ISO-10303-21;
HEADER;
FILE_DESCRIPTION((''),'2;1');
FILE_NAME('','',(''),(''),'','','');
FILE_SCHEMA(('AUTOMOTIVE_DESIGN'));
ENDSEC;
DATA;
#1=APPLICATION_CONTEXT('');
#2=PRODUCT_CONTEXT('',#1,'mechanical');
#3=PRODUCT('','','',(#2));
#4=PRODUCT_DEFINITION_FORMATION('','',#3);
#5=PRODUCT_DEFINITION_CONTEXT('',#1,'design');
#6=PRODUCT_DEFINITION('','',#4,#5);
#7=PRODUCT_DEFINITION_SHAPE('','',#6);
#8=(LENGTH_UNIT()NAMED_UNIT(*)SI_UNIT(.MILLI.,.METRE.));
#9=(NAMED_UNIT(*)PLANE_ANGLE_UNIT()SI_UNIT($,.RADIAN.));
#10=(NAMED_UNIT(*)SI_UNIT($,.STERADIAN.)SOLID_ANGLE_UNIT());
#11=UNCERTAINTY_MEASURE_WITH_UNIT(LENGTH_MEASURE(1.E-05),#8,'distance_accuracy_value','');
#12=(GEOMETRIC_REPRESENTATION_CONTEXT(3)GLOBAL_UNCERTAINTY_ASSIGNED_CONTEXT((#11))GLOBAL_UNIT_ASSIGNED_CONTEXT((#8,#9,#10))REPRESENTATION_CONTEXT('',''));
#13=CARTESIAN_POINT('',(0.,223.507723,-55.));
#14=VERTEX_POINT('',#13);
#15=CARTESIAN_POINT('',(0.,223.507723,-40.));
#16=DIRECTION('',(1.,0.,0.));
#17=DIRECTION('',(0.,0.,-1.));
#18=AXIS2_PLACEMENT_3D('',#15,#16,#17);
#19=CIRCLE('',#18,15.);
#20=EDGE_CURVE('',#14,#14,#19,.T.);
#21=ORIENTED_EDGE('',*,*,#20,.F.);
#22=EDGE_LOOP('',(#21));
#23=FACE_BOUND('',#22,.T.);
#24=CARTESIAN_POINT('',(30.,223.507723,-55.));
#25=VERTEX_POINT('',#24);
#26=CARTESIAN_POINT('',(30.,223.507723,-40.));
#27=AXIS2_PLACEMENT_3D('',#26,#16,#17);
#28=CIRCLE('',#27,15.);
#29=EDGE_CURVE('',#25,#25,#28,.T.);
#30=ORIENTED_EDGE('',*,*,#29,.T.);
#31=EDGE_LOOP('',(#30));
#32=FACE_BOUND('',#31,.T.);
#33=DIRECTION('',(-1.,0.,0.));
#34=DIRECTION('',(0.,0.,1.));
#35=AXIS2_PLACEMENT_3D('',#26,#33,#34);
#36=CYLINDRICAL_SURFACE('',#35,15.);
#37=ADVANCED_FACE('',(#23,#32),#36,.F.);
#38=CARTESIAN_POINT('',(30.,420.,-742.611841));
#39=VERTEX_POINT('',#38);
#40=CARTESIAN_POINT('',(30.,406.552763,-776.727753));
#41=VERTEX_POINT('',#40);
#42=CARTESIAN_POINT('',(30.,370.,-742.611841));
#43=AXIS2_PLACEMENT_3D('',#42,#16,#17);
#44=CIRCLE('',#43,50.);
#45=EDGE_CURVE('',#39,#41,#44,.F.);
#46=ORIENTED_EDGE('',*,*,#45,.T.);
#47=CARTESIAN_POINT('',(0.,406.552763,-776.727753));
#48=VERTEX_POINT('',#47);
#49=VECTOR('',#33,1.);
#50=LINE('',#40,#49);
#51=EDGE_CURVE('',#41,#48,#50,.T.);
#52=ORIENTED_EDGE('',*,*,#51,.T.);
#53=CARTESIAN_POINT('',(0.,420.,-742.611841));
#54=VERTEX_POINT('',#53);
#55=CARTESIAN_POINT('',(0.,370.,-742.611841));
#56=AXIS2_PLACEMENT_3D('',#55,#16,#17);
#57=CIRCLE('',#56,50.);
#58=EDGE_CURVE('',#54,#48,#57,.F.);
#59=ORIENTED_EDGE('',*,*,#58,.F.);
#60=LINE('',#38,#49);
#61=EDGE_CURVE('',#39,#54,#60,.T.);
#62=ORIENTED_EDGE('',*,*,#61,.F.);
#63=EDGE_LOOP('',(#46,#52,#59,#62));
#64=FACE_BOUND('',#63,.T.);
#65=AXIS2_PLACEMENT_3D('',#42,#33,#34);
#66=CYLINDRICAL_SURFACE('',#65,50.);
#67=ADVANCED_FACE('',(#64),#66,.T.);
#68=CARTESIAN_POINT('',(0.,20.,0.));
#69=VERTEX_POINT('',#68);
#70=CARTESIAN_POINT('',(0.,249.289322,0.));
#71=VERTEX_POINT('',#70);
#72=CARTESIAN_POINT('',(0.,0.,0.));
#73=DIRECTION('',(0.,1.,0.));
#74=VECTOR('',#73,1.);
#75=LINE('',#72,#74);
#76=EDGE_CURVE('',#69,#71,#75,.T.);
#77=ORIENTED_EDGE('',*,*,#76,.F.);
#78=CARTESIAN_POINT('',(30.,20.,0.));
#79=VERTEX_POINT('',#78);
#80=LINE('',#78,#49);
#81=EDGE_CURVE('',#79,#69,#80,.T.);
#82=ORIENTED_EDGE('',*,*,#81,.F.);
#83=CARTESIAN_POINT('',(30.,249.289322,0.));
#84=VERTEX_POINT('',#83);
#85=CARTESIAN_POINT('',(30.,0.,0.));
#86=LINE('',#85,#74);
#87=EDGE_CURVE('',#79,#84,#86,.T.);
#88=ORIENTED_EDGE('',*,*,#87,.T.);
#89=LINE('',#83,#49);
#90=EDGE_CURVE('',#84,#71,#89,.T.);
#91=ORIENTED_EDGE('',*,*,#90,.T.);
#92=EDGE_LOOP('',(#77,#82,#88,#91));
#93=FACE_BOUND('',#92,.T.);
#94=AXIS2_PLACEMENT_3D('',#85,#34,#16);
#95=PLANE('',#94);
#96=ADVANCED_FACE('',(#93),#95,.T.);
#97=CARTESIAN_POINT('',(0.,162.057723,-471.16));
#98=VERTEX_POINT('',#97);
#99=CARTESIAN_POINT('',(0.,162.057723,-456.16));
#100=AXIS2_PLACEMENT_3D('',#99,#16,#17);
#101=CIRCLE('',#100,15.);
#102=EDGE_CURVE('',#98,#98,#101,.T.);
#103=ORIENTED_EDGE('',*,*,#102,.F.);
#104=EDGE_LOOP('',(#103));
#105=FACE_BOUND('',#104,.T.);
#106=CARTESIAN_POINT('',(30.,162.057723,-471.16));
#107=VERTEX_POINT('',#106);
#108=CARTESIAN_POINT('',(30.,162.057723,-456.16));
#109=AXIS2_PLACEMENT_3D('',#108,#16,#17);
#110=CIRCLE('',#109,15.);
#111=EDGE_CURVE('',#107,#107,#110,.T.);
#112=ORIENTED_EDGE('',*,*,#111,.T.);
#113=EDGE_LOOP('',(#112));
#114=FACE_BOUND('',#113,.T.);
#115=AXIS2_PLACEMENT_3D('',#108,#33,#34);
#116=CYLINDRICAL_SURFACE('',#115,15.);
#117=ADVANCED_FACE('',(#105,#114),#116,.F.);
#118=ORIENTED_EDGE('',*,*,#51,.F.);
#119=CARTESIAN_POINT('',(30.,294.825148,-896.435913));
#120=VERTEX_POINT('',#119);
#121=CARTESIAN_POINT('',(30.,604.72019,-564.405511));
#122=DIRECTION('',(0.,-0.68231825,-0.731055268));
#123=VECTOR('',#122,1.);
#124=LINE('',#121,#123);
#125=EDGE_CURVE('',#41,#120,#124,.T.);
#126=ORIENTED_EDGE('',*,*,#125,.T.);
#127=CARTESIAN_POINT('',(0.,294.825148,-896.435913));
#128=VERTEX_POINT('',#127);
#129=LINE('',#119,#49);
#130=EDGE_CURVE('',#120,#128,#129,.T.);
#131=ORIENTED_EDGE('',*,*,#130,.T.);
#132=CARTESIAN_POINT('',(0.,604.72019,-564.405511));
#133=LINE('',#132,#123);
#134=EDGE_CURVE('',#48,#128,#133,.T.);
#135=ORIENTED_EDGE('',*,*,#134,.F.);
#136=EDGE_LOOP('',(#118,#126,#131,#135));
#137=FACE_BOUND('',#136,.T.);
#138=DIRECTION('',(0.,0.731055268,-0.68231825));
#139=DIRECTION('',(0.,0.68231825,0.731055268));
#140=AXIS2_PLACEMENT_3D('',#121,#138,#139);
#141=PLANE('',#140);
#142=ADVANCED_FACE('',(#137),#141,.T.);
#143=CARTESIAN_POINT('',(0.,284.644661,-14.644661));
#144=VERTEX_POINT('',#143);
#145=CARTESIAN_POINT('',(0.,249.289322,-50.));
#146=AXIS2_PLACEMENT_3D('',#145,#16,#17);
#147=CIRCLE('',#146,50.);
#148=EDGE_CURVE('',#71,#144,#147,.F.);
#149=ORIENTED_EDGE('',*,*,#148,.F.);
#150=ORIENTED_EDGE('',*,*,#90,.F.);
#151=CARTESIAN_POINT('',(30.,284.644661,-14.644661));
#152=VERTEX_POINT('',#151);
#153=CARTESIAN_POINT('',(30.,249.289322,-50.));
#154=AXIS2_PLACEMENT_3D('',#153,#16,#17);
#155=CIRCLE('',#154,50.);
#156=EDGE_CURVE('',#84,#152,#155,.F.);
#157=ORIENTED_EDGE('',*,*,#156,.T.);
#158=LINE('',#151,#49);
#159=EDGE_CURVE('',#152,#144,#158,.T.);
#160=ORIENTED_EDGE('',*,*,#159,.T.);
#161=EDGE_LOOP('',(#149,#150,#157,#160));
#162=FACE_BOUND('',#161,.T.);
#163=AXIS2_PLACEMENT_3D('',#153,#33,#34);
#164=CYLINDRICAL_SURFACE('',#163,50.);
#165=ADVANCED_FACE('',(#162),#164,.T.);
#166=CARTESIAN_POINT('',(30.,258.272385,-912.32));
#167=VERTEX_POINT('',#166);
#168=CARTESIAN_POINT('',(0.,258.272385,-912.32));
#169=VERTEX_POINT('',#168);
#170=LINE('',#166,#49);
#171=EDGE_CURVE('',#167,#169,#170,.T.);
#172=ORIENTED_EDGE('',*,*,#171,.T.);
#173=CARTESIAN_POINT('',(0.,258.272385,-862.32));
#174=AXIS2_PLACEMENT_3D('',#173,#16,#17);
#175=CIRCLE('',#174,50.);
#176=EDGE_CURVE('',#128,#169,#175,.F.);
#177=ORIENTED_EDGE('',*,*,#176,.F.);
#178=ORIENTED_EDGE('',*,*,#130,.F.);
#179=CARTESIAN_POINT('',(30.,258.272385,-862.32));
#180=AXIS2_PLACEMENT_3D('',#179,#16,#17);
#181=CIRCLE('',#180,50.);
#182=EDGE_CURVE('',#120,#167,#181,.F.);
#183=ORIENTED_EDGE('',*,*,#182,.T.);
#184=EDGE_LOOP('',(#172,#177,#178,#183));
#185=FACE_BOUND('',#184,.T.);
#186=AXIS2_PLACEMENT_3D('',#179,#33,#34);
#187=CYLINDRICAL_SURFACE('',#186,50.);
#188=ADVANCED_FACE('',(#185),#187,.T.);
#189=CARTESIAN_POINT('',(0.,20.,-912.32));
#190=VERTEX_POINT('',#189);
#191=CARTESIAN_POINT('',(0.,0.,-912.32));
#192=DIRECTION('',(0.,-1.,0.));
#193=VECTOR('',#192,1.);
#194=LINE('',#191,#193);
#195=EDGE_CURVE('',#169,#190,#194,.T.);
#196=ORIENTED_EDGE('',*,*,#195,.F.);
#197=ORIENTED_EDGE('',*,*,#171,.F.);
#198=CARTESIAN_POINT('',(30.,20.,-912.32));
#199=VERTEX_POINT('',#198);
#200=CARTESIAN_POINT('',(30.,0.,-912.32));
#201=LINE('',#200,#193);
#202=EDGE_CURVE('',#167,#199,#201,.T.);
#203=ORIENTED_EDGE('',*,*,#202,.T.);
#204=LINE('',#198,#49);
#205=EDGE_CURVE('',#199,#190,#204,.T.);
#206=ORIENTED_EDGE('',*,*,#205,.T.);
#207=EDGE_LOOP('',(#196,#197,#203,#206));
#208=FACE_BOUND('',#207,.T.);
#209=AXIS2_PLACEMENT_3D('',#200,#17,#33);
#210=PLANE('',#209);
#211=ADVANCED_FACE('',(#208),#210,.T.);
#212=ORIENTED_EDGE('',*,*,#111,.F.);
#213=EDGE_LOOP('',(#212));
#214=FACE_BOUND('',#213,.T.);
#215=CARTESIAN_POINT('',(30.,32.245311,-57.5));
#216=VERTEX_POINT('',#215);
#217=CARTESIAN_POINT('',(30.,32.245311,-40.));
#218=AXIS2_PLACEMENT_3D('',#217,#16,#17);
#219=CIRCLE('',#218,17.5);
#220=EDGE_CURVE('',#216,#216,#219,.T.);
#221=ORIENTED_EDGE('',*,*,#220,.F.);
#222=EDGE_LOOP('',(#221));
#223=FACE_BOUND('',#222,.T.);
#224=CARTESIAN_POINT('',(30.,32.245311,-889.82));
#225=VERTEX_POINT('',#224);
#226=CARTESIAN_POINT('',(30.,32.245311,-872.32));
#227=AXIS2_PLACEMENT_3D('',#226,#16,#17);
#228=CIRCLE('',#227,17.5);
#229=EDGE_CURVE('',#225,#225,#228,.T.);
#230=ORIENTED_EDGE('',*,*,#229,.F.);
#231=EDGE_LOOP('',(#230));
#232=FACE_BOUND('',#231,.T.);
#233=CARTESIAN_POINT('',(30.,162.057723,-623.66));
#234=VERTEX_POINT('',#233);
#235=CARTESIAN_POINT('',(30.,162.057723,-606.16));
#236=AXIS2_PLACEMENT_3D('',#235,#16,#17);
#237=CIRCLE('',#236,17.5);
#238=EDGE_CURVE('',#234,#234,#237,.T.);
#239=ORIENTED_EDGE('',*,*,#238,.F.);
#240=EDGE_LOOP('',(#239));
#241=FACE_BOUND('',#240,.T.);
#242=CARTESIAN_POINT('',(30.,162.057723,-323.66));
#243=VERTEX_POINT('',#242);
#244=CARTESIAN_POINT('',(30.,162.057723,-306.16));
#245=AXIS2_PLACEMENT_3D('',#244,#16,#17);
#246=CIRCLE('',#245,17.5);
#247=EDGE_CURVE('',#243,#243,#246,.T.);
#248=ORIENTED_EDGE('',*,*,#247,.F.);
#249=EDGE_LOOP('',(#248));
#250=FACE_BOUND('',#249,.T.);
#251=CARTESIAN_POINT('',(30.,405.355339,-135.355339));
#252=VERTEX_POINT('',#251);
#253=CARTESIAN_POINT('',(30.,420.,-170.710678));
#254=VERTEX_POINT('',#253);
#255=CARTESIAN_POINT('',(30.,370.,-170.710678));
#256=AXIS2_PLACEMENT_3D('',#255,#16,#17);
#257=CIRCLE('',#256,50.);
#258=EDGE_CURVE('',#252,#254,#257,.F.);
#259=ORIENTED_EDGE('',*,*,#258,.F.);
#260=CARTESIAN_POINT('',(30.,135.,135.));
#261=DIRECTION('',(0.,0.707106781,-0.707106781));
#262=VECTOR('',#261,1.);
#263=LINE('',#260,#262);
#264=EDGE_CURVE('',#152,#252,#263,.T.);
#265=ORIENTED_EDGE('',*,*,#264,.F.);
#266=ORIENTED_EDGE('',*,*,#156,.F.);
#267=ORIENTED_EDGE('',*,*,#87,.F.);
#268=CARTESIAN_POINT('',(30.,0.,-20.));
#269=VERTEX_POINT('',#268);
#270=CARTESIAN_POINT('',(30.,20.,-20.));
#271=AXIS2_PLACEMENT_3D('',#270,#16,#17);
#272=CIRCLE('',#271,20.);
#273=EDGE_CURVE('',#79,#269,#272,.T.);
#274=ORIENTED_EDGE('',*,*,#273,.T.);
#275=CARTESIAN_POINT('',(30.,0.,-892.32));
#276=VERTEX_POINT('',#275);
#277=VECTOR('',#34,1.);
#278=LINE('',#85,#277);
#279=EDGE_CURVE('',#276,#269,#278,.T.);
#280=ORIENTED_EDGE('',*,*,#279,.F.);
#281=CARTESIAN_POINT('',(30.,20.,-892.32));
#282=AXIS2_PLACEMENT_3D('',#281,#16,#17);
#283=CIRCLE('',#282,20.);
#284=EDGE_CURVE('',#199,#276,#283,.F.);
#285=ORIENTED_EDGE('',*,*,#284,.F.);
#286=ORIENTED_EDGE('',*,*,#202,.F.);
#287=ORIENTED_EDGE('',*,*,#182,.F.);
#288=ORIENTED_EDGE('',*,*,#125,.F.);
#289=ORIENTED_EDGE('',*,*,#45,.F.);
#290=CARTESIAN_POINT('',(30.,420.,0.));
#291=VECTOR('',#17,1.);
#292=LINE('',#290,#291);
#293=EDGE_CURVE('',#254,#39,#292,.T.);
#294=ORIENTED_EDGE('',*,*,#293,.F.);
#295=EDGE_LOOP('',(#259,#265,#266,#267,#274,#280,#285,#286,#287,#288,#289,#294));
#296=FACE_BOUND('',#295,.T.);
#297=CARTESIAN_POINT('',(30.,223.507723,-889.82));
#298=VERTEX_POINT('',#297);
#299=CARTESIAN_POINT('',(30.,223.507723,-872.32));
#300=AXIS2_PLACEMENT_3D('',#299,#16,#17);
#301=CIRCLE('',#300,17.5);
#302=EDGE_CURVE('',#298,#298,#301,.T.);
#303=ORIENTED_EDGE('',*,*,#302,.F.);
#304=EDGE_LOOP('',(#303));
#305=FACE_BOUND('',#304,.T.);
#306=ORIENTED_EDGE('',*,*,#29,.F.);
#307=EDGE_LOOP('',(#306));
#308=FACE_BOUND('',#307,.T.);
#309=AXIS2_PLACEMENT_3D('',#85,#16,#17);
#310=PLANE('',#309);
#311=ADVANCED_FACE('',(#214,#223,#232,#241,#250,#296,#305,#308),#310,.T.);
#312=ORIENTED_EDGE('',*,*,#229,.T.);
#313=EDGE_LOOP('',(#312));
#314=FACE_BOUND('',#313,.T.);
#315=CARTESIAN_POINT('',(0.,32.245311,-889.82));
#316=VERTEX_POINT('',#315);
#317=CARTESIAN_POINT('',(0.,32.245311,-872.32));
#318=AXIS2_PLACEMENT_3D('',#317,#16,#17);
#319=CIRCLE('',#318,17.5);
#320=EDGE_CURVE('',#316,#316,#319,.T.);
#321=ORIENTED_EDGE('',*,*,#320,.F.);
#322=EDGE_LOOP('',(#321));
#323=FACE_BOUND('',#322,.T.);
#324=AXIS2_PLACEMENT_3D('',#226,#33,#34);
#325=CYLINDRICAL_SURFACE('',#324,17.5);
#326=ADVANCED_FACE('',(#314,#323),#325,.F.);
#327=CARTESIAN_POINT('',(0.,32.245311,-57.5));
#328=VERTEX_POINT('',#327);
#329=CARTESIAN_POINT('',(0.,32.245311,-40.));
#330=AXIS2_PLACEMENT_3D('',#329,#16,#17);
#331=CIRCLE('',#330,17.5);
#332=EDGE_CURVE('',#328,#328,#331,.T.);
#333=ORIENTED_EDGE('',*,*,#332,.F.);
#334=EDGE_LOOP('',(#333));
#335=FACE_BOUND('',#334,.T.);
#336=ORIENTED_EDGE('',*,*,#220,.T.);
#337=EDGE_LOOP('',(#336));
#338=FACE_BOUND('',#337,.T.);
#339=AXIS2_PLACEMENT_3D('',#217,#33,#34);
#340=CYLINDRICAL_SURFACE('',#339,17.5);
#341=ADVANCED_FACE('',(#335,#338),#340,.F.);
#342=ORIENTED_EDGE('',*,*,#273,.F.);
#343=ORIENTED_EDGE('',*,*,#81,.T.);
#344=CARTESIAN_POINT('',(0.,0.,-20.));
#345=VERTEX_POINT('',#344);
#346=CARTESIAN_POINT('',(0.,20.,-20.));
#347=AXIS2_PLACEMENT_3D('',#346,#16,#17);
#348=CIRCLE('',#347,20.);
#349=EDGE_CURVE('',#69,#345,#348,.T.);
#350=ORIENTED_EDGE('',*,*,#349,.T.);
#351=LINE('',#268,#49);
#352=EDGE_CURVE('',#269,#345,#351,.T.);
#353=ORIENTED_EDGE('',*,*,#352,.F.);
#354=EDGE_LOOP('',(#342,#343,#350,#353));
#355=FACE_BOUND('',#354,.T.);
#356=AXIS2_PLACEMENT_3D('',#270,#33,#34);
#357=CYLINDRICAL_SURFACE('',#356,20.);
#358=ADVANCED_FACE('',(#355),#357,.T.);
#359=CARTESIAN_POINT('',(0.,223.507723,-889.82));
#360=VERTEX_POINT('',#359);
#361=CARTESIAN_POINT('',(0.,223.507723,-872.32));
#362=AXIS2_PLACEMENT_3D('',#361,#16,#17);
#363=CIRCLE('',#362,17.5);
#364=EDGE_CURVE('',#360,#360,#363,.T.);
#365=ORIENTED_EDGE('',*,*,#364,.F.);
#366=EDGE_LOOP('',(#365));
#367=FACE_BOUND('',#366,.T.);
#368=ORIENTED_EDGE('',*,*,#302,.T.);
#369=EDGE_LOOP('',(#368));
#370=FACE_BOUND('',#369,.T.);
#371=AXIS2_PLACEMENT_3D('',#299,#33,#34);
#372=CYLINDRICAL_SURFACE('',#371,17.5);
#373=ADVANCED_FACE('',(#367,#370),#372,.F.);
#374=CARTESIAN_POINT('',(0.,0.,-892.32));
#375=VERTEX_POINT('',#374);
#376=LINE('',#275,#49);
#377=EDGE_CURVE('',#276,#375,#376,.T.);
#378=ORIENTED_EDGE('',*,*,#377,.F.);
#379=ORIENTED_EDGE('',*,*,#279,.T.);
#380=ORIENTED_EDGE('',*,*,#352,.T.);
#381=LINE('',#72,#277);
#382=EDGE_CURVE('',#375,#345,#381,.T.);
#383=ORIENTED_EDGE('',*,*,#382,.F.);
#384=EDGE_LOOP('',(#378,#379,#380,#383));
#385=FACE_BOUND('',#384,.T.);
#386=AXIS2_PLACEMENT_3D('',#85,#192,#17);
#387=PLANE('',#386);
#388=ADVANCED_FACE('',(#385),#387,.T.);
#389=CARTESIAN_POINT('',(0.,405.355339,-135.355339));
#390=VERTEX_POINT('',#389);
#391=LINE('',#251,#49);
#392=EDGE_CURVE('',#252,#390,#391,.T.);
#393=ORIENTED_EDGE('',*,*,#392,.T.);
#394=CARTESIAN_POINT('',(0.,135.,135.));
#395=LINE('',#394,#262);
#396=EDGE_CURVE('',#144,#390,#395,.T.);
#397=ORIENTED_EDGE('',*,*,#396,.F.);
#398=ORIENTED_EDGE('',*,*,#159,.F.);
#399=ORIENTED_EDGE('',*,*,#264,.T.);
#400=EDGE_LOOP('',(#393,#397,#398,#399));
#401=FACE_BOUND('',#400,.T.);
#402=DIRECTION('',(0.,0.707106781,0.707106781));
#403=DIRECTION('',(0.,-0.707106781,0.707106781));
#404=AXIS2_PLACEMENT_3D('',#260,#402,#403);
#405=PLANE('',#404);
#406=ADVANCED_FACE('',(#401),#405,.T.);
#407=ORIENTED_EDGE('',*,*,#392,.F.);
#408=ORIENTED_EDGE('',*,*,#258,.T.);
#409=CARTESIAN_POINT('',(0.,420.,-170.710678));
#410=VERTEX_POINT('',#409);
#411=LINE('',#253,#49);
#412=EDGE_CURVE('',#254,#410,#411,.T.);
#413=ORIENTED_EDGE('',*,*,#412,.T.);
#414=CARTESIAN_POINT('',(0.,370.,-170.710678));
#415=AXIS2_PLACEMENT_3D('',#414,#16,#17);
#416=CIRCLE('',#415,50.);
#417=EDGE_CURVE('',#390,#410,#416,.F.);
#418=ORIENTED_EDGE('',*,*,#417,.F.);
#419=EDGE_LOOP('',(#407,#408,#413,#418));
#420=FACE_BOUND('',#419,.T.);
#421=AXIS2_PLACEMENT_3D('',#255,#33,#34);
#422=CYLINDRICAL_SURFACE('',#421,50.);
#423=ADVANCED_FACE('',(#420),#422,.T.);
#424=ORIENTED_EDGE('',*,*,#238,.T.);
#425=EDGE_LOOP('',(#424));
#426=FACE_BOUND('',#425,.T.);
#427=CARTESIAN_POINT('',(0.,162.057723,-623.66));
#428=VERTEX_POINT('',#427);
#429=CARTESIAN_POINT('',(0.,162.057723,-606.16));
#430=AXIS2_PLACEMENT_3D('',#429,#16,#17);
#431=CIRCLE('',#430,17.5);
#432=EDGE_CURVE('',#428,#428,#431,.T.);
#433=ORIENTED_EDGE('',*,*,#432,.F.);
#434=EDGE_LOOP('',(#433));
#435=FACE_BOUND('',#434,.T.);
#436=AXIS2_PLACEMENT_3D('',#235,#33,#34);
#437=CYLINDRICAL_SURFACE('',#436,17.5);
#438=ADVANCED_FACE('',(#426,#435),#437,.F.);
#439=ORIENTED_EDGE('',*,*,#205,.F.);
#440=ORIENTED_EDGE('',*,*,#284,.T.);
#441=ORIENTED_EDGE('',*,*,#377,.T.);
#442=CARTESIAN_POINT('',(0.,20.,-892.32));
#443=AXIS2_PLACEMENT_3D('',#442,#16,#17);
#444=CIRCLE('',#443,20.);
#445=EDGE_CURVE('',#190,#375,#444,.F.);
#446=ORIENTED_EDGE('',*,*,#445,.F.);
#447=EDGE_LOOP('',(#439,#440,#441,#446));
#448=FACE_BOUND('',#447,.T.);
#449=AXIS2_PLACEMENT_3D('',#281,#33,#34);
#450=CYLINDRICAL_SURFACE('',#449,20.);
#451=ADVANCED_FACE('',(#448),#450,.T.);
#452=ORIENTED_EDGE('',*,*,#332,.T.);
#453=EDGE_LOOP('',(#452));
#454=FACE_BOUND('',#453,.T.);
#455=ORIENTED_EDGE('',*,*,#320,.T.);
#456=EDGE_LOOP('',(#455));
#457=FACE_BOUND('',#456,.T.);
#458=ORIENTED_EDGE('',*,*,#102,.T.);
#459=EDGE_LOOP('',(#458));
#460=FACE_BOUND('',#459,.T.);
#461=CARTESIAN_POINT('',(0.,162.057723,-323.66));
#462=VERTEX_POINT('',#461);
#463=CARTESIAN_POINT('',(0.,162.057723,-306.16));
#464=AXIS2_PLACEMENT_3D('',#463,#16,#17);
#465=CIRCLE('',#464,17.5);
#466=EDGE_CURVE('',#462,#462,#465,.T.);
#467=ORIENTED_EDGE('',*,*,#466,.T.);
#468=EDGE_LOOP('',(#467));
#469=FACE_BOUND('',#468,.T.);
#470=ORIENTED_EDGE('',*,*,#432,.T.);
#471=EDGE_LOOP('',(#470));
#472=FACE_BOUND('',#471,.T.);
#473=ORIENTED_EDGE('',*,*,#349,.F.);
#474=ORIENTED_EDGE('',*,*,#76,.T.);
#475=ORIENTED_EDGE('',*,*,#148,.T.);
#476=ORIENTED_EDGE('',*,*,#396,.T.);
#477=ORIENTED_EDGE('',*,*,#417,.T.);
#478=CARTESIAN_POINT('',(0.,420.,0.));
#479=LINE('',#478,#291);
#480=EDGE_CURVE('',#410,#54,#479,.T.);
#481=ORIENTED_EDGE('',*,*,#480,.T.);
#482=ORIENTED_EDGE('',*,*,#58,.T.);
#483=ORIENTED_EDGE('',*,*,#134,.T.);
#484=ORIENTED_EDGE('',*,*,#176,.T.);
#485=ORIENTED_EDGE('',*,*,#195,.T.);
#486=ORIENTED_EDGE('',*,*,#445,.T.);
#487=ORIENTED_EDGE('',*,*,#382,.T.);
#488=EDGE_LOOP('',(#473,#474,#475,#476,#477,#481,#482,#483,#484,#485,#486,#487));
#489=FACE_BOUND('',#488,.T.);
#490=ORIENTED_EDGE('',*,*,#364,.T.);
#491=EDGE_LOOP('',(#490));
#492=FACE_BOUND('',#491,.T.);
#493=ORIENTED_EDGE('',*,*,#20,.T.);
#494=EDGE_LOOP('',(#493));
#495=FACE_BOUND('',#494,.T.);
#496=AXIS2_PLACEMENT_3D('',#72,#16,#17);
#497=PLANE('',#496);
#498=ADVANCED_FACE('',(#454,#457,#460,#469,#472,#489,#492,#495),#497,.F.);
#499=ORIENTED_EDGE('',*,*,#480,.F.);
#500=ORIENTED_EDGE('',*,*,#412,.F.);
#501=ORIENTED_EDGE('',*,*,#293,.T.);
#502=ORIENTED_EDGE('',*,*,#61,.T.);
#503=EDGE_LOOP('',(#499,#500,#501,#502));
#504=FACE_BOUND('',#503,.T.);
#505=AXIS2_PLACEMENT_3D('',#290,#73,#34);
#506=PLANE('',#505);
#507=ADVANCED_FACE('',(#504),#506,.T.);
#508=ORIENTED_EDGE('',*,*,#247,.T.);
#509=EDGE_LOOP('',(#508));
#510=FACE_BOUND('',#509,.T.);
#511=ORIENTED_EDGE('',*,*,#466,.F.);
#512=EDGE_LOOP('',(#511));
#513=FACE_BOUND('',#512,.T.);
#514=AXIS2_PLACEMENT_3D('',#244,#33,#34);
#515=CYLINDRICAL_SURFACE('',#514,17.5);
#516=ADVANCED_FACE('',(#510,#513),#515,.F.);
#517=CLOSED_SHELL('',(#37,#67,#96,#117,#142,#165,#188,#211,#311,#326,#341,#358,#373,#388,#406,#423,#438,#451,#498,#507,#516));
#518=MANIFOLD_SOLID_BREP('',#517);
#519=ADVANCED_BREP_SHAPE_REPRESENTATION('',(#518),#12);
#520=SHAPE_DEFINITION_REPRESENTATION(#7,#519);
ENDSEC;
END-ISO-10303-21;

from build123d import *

# Parameters (mm, degrees)
SKETCH1_R           = 17.5
SKETCH1_R_2         = 15
BOSS_EXTRUDE1_DEPTH = 30


with BuildPart() as part:
    # Sketch1 → Boss-Extrude1 (new body)
    with BuildSketch(Plane(origin=(0, 0, 0), x_dir=(0, 0, -1), z_dir=(1, 0, 0))):
        with BuildLine():
            Line((0, 249.289321881), (0, 20))
            ThreePointArc((0, 20), (5.857864376, 5.857864376), (20, 0))
            Line((20, 0), (456.16, 0))
            Line((456.16, 0), (892.32, 0))
            ThreePointArc((892.32, 0), (906.462135624, 5.857864376), (912.32, 20))
            Line((912.32, 20), (912.32, 258.272384904))
            ThreePointArc((912.32, 258.272384904), (908.177363781, 278.199807895), (896.435912518, 294.825148317))
            Line((896.435912518, 294.825148317), (776.727753487, 406.552763412))
            ThreePointArc((776.727753487, 406.552763412), (760.947077938, 416.516868825), (742.611840969, 420))
            Line((742.611840969, 420), (170.710678119, 420))
            ThreePointArc((170.710678119, 420), (151.5765065, 416.193976626), (135.355339059, 405.355339059))
            Line((135.355339059, 405.355339059), (14.644660941, 284.644660941))
            ThreePointArc((14.644660941, 284.644660941), (3.806023374, 268.4234935), (0, 249.289321881))
        make_face()
        with Locations((40, 32.245311268)):
            Circle(SKETCH1_R, mode=Mode.SUBTRACT)
        with Locations((872.32, 223.507722896)):
            Circle(SKETCH1_R, mode=Mode.SUBTRACT)
        with Locations((872.32, 32.245311268)):
            Circle(SKETCH1_R, mode=Mode.SUBTRACT)
        with Locations((606.16, 162.057722896)):
            Circle(SKETCH1_R, mode=Mode.SUBTRACT)
        with Locations((306.16, 162.057722896)):
            Circle(SKETCH1_R, mode=Mode.SUBTRACT)
        with BuildLine():
            ThreePointArc((456.16, 177.057722896), (471.16, 162.057722896), (456.16, 147.057722896))
            ThreePointArc((456.16, 147.057722896), (441.16, 162.057722896), (456.16, 177.057722896))
        make_face(mode=Mode.SUBTRACT)
        with Locations((40, 223.507722896)):
            Circle(SKETCH1_R_2, mode=Mode.SUBTRACT)
    extrude(amount=BOSS_EXTRUDE1_DEPTH)


solid = part.part
